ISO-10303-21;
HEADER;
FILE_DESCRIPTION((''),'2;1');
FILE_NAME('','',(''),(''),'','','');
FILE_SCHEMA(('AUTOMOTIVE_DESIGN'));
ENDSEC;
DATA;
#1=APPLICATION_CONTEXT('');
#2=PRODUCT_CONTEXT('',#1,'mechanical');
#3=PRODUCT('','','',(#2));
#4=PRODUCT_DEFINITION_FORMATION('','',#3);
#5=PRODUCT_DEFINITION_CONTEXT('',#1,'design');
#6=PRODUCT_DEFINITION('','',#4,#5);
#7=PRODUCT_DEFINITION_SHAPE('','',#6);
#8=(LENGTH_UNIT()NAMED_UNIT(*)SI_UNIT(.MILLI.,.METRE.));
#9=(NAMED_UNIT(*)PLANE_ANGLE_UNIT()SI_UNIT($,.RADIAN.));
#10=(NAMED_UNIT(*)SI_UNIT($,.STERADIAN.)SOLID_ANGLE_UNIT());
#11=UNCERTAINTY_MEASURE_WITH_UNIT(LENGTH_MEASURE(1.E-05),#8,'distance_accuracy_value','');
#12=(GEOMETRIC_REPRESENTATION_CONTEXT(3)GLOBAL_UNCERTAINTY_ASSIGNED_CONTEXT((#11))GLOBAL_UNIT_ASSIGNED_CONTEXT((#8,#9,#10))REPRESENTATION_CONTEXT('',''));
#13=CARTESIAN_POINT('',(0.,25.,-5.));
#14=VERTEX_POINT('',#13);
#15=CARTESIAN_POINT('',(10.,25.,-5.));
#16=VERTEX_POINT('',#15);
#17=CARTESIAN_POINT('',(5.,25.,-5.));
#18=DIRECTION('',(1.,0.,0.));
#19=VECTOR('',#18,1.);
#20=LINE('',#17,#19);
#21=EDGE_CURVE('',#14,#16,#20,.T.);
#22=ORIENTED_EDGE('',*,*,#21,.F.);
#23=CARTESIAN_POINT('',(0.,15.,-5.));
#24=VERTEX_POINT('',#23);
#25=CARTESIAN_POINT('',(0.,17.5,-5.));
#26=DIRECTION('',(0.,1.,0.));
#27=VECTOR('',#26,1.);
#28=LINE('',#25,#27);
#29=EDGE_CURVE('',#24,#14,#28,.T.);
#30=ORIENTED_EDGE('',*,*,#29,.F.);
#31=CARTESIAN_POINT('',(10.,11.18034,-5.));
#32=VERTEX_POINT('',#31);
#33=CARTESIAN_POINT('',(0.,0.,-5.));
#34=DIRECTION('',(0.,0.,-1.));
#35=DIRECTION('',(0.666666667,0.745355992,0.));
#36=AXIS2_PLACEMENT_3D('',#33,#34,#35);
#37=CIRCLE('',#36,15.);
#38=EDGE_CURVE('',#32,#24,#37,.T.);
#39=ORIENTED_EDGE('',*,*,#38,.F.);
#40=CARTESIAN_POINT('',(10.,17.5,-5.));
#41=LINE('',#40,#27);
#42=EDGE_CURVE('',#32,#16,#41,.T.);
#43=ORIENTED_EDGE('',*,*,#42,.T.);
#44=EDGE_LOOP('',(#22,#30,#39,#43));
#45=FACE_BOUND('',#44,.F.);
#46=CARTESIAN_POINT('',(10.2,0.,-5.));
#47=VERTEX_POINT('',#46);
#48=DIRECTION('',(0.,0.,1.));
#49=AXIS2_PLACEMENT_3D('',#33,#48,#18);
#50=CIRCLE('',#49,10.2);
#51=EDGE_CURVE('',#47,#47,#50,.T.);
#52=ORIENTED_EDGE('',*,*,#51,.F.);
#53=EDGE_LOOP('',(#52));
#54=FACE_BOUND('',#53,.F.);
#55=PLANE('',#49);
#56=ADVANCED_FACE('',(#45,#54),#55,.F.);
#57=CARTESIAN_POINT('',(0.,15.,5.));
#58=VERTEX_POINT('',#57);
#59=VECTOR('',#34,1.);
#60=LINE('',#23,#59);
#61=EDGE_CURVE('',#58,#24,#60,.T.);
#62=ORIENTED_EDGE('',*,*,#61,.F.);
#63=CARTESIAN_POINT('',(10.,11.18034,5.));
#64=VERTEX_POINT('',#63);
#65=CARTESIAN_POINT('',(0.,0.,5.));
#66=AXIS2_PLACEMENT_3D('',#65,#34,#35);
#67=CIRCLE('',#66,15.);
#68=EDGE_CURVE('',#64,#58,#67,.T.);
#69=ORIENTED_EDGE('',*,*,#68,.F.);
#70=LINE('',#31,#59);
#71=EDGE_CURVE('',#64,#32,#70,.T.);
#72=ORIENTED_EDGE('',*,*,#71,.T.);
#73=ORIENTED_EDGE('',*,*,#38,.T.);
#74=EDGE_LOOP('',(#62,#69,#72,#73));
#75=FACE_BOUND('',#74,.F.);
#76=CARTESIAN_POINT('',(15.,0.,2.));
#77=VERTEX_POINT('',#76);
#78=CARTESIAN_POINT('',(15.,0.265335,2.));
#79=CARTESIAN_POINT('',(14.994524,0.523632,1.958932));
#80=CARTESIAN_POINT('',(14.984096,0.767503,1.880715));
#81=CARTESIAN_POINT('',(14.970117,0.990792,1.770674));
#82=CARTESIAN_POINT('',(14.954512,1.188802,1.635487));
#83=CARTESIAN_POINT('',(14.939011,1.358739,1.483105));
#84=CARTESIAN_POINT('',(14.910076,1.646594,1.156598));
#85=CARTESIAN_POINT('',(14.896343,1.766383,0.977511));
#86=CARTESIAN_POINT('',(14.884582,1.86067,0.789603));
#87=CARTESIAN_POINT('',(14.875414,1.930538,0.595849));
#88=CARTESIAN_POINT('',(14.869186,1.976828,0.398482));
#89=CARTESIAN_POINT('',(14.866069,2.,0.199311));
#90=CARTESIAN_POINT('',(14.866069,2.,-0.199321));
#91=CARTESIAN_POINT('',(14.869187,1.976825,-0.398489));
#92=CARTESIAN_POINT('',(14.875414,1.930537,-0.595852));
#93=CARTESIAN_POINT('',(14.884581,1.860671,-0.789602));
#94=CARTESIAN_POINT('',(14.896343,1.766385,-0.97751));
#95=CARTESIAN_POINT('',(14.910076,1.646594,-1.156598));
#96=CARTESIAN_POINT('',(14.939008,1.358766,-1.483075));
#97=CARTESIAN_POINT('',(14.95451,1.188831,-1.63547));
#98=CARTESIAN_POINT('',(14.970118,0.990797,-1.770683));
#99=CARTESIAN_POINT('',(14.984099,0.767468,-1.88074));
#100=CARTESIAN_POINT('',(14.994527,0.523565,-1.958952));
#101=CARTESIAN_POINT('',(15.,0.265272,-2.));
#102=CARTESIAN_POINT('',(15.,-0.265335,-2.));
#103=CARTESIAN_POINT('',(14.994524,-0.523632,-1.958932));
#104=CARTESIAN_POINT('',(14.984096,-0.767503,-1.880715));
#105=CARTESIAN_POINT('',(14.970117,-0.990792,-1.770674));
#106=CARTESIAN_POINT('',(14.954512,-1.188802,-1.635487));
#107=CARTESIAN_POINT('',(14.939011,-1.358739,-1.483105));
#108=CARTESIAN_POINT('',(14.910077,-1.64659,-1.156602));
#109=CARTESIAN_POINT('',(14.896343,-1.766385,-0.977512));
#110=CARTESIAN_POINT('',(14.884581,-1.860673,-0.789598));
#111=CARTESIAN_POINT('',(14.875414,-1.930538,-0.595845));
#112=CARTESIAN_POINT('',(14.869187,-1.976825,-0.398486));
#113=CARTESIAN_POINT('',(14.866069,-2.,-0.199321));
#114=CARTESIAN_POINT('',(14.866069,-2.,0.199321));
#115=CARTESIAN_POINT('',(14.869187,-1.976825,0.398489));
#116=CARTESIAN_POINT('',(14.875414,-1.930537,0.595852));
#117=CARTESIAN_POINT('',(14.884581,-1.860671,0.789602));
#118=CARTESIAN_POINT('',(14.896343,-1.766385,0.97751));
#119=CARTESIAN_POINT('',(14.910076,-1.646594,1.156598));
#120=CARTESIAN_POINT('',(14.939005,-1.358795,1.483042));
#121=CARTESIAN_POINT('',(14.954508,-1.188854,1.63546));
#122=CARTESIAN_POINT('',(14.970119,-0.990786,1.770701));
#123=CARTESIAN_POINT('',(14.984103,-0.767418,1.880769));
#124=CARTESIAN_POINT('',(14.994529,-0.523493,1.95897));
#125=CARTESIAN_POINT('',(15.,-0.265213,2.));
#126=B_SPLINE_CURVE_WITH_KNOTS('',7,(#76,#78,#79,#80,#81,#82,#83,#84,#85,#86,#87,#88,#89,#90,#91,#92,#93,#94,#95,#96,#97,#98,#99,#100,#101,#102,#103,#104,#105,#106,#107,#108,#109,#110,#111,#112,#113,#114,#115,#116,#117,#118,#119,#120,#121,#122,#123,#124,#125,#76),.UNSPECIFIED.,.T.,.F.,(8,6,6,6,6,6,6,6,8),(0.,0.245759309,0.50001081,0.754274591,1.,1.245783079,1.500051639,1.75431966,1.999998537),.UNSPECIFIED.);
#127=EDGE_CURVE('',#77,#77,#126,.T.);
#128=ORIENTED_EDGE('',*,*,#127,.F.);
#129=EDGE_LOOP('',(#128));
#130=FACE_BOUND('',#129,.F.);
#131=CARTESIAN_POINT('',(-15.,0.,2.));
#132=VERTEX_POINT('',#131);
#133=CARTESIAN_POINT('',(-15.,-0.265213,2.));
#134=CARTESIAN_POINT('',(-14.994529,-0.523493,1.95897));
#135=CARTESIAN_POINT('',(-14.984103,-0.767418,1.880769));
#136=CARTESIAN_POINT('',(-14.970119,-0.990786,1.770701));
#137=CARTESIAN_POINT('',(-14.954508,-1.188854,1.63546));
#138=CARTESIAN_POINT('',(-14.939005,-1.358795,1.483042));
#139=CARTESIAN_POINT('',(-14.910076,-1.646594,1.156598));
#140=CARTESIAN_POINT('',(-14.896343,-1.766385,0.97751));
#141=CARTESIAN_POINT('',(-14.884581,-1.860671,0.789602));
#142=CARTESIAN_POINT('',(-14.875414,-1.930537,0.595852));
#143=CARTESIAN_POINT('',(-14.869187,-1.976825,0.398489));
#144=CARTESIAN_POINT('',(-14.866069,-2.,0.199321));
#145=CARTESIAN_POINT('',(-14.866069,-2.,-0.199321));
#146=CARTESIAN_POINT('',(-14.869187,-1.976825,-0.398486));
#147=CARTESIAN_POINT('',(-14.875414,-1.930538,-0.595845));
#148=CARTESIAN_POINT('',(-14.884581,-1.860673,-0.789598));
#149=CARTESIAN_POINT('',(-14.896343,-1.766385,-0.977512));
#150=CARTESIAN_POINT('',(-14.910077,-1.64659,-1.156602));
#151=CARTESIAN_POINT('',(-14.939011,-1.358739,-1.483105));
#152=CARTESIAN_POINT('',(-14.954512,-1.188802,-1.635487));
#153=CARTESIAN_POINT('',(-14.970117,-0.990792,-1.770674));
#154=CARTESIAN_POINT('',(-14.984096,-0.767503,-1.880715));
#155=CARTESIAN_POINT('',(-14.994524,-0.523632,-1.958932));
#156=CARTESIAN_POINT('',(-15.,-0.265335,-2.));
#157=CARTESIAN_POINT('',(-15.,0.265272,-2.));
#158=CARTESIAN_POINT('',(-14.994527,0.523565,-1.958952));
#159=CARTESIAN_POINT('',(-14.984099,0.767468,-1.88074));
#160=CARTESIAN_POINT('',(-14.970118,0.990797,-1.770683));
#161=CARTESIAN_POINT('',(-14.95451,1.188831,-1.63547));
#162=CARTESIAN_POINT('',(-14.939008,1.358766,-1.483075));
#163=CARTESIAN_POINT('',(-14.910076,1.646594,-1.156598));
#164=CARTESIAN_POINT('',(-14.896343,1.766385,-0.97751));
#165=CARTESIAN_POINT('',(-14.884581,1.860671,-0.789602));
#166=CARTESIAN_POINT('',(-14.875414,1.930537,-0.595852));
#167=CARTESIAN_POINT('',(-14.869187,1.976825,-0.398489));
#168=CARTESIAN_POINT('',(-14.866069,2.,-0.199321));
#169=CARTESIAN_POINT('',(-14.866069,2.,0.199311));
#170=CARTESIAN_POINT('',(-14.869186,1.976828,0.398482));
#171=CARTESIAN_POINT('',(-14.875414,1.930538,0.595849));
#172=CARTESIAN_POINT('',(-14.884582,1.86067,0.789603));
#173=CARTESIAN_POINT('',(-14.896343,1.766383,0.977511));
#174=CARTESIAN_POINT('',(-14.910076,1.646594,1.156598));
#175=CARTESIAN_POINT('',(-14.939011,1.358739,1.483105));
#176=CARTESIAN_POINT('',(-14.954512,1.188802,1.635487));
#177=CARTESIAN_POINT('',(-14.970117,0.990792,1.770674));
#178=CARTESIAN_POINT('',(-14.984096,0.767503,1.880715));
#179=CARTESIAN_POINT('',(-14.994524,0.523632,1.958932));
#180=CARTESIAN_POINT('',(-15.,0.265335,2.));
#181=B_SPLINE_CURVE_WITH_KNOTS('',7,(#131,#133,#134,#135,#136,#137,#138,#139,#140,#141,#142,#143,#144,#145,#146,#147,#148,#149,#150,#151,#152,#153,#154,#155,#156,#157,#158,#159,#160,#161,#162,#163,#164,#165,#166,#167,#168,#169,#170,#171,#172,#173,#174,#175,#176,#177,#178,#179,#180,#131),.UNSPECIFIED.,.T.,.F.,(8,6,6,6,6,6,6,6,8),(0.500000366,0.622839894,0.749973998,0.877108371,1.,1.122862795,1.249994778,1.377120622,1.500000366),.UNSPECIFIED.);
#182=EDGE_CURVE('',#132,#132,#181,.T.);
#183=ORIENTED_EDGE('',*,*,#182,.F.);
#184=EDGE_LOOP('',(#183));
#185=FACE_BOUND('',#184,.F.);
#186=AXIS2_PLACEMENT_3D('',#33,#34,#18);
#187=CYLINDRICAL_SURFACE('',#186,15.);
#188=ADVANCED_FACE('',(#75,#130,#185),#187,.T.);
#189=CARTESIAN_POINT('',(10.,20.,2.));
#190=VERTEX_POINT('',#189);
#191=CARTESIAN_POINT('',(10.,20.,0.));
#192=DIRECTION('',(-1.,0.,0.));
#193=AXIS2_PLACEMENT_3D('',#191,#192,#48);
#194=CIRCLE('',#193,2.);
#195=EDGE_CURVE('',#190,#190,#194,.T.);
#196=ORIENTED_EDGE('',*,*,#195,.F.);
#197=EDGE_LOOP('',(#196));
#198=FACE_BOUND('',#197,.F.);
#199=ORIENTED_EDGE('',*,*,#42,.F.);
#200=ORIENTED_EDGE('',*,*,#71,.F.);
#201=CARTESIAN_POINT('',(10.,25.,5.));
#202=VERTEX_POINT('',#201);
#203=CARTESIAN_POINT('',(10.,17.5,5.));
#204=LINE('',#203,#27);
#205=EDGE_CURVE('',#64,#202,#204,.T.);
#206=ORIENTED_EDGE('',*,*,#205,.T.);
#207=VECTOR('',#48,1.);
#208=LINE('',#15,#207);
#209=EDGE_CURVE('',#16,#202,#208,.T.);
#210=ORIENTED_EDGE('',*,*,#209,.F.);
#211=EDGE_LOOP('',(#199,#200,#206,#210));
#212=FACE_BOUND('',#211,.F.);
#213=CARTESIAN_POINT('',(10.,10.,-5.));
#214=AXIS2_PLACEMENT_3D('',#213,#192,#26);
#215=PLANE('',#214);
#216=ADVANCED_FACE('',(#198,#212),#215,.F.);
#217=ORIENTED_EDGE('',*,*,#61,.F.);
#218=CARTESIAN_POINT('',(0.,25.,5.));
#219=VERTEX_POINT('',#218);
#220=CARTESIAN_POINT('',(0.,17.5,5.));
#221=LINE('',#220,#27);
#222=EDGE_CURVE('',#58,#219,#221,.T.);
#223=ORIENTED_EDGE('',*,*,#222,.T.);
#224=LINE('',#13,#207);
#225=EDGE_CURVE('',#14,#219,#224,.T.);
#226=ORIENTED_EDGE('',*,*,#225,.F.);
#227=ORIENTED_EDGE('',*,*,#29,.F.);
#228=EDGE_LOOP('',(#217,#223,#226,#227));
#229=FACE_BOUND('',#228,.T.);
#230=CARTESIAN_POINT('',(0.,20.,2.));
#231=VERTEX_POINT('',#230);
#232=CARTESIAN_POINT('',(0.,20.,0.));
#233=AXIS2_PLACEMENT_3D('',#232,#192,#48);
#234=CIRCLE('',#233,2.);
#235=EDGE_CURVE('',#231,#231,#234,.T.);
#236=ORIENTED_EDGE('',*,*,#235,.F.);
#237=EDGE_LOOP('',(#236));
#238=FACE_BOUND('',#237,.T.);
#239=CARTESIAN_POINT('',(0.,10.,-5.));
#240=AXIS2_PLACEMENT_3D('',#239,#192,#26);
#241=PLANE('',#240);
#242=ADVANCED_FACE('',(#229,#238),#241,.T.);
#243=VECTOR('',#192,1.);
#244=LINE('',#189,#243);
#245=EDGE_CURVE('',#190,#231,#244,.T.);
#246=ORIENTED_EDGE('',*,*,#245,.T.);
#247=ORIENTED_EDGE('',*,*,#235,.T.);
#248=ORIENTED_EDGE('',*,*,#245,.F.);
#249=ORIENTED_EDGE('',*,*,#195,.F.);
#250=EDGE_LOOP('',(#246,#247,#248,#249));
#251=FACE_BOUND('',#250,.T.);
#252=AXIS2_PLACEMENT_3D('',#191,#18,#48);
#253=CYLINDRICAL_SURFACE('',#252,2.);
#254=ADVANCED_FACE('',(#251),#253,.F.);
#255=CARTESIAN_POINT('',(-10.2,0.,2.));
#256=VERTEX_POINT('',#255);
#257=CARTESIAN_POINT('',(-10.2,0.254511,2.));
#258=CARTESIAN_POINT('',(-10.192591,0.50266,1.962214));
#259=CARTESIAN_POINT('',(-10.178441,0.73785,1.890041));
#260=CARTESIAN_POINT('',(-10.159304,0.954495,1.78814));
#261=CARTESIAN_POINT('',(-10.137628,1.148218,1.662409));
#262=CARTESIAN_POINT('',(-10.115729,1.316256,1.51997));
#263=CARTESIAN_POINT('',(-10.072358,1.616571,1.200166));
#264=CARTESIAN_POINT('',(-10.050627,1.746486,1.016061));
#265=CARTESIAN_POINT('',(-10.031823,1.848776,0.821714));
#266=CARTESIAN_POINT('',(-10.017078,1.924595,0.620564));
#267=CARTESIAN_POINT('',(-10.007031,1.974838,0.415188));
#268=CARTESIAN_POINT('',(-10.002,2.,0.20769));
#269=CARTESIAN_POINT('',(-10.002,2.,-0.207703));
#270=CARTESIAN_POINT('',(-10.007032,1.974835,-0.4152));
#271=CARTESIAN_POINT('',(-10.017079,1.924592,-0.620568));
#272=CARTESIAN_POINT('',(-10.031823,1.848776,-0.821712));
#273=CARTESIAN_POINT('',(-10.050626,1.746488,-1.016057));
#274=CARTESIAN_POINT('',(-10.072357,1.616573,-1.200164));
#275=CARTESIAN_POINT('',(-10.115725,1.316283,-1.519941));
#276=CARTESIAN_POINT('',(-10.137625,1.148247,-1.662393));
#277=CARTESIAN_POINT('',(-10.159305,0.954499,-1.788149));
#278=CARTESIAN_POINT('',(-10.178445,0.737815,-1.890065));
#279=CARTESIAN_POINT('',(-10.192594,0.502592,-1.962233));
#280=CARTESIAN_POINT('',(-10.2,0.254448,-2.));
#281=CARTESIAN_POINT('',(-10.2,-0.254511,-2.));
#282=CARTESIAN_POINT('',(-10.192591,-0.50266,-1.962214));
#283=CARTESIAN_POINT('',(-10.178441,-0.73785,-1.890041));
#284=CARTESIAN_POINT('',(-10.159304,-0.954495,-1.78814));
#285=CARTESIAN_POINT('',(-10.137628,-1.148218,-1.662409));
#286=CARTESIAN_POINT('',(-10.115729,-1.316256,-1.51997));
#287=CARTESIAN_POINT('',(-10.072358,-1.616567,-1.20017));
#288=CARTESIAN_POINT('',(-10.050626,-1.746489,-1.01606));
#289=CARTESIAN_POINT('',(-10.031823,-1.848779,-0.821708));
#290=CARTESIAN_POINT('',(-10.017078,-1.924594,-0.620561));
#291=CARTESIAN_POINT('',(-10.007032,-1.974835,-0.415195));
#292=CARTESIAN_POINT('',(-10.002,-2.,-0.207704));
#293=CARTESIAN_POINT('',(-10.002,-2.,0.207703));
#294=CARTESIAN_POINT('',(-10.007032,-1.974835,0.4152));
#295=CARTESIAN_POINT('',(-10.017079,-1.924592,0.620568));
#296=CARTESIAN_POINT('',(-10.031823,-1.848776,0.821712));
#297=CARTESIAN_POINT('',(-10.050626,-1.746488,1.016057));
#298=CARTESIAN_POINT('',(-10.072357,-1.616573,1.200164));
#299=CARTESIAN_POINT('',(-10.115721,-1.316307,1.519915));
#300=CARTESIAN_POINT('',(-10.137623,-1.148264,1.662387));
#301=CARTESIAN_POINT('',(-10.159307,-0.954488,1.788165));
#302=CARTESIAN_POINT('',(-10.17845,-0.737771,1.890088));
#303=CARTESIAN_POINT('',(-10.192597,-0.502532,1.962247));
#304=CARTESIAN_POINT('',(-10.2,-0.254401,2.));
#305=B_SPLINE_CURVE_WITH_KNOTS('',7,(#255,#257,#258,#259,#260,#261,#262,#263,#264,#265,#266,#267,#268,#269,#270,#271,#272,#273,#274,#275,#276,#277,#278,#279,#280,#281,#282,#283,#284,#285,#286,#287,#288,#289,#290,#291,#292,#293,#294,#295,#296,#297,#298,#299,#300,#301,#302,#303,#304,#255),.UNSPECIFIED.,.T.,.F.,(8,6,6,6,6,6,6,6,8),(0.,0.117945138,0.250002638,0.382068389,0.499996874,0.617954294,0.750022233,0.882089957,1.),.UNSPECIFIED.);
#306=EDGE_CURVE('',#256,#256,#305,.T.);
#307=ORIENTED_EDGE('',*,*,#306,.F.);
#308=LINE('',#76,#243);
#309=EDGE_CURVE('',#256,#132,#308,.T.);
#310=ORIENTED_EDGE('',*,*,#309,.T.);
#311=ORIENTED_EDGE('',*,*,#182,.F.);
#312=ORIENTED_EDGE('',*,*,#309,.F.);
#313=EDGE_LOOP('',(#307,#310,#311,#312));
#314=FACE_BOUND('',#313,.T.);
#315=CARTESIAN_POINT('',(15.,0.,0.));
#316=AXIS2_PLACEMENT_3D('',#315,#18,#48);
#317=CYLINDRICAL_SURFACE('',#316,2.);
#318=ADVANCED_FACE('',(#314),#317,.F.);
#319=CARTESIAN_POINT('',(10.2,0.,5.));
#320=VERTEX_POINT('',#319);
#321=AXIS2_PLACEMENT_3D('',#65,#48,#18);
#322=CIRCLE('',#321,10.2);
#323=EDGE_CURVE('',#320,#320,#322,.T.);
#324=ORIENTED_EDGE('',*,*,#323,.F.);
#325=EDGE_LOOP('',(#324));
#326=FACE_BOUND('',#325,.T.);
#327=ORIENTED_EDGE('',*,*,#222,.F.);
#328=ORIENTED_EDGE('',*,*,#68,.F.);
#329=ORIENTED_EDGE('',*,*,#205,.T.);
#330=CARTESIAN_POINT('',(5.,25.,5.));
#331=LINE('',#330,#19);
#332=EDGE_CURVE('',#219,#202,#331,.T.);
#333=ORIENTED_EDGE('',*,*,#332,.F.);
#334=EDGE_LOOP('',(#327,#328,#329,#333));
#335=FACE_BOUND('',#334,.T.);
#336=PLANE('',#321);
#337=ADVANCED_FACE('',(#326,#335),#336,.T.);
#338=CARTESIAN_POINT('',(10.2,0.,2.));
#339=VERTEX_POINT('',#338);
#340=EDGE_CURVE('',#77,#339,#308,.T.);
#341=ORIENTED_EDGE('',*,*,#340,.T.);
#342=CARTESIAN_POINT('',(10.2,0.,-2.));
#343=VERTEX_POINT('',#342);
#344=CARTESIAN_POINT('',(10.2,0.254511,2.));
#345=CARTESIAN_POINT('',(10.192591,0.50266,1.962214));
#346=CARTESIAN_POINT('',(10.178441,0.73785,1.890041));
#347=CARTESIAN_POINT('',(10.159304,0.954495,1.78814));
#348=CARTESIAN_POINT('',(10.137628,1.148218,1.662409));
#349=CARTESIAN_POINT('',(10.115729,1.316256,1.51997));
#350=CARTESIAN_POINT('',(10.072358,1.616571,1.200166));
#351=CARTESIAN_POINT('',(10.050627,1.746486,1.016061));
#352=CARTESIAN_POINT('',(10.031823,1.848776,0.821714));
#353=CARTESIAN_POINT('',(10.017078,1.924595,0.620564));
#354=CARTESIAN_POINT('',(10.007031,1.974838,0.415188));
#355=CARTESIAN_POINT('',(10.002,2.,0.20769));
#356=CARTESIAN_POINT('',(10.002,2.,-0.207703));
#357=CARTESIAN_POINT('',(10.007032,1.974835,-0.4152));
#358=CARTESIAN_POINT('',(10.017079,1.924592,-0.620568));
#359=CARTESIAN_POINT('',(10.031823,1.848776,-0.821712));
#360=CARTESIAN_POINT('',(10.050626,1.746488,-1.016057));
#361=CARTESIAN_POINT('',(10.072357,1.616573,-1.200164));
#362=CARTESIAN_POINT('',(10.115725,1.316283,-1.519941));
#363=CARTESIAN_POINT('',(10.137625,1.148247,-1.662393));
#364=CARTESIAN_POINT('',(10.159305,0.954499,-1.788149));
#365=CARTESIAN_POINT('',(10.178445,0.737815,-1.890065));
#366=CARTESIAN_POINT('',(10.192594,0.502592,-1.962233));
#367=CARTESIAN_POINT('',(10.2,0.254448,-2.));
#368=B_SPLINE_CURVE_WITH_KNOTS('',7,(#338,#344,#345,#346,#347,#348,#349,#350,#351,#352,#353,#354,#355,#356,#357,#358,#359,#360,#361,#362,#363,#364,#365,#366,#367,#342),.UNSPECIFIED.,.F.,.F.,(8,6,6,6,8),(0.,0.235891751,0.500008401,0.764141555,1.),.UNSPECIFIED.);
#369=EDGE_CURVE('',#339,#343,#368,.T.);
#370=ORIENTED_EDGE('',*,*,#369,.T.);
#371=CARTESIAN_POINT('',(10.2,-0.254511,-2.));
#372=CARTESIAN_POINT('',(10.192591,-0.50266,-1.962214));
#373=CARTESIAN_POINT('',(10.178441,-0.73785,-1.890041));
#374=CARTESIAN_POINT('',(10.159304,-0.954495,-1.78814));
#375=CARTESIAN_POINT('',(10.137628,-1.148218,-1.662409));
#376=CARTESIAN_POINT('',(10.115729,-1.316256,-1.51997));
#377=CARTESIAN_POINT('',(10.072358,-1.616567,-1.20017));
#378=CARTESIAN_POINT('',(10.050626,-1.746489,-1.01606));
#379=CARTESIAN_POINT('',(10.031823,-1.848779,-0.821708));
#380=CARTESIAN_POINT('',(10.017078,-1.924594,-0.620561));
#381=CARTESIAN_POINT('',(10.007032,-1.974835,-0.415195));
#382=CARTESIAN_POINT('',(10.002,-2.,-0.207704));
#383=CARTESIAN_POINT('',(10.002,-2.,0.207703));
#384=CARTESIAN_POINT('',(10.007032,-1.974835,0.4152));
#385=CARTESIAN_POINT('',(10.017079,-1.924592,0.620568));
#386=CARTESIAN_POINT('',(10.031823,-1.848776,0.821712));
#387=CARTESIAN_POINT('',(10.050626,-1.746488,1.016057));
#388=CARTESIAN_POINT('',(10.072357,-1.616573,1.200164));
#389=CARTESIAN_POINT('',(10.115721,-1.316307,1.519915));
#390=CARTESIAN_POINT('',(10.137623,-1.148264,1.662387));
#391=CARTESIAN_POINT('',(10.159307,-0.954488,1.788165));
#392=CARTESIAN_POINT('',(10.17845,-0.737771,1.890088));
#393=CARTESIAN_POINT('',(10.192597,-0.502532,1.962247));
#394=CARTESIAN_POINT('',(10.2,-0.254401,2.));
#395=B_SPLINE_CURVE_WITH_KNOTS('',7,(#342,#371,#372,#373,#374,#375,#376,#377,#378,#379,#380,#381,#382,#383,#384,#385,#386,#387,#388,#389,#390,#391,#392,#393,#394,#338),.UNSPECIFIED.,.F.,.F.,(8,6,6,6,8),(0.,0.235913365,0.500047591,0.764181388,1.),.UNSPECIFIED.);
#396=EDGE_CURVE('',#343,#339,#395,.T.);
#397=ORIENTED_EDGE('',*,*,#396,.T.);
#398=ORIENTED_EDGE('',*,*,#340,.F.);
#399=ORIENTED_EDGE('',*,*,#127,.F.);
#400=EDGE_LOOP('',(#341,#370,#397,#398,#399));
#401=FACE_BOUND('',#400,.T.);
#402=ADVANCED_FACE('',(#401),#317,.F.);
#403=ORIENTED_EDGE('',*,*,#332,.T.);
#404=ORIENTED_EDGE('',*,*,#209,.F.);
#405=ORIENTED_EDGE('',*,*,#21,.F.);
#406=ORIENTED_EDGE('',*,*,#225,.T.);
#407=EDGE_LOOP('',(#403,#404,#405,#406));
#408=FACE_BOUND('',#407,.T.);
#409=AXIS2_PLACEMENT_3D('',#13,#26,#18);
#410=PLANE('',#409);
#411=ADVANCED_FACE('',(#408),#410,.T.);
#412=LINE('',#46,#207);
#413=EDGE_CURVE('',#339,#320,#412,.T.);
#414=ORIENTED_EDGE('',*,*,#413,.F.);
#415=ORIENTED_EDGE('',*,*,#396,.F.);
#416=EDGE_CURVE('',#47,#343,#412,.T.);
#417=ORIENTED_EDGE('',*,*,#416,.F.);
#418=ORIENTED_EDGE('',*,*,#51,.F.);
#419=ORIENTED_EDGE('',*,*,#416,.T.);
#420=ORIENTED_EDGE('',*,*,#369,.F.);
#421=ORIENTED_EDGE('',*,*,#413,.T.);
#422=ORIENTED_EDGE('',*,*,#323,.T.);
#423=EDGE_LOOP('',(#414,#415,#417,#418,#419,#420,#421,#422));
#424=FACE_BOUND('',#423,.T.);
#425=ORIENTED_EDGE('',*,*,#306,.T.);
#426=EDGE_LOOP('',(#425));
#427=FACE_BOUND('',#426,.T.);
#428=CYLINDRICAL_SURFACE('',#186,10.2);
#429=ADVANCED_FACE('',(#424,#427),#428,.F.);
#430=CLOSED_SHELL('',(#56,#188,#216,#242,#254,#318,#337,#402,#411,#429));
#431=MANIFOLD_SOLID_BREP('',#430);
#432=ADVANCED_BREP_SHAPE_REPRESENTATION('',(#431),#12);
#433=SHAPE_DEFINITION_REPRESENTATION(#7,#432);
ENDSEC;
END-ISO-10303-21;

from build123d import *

# Parameters (mm, degrees)
CYLINDER003_R     = 2
CYLINDER003_DEPTH = 10
CYLINDER004_R     = 2
CYLINDER004_DEPTH = 30
CYLINDER001_R     = 10.2
CYLINDER001_DEPTH = 10
BOX_W             = 10
BOX_H             = 15
BOX_DEPTH         = 10
CYLINDER_R        = 15
CYLINDER_DEPTH    = 10


with BuildPart() as cylinder003:
    # Cylinder003 → Cylinder003 (new body)
    with BuildSketch(Plane(origin=(10, 20, 0), x_dir=(0, 0, 1), z_dir=(-1, 0, 0))):
        Circle(CYLINDER003_R)
    extrude(amount=CYLINDER003_DEPTH)


with BuildPart() as cylinder004:
    # Cylinder004 → Cylinder004 (new body)
    with BuildSketch(Plane.ZY.offset(-15)):
        Circle(CYLINDER004_R)
    extrude(amount=CYLINDER004_DEPTH)


with BuildPart() as negative_fusion:
    # Cylinder001 → Cylinder001 (new body)
    with BuildSketch(Plane.XY.offset(-5)):
        Circle(CYLINDER001_R)
    extrude(amount=CYLINDER001_DEPTH)

    # Fusion: union Cylinder003, Cylinder004
    add(cylinder003.part)
    add(cylinder004.part)


with BuildPart() as cube:
    # Box → Box (new body)
    with BuildSketch(Plane(origin=(0, 10, -5), x_dir=(1, 0, 0), z_dir=(0, 0, 1))):
        with Locations((5, 7.5)):
            Rectangle(BOX_W, BOX_H)
    extrude(amount=BOX_DEPTH)


with BuildPart() as cut:
    # Cylinder → Cylinder (new body)
    with BuildSketch(Plane.XY.offset(-5)):
        Circle(CYLINDER_R)
    extrude(amount=CYLINDER_DEPTH)

    # Fusion001: union Cube
    add(cube.part)

    # Cut: cut Negative Fusion
    add(negative_fusion.part, mode=Mode.SUBTRACT)


solid = cut.part
